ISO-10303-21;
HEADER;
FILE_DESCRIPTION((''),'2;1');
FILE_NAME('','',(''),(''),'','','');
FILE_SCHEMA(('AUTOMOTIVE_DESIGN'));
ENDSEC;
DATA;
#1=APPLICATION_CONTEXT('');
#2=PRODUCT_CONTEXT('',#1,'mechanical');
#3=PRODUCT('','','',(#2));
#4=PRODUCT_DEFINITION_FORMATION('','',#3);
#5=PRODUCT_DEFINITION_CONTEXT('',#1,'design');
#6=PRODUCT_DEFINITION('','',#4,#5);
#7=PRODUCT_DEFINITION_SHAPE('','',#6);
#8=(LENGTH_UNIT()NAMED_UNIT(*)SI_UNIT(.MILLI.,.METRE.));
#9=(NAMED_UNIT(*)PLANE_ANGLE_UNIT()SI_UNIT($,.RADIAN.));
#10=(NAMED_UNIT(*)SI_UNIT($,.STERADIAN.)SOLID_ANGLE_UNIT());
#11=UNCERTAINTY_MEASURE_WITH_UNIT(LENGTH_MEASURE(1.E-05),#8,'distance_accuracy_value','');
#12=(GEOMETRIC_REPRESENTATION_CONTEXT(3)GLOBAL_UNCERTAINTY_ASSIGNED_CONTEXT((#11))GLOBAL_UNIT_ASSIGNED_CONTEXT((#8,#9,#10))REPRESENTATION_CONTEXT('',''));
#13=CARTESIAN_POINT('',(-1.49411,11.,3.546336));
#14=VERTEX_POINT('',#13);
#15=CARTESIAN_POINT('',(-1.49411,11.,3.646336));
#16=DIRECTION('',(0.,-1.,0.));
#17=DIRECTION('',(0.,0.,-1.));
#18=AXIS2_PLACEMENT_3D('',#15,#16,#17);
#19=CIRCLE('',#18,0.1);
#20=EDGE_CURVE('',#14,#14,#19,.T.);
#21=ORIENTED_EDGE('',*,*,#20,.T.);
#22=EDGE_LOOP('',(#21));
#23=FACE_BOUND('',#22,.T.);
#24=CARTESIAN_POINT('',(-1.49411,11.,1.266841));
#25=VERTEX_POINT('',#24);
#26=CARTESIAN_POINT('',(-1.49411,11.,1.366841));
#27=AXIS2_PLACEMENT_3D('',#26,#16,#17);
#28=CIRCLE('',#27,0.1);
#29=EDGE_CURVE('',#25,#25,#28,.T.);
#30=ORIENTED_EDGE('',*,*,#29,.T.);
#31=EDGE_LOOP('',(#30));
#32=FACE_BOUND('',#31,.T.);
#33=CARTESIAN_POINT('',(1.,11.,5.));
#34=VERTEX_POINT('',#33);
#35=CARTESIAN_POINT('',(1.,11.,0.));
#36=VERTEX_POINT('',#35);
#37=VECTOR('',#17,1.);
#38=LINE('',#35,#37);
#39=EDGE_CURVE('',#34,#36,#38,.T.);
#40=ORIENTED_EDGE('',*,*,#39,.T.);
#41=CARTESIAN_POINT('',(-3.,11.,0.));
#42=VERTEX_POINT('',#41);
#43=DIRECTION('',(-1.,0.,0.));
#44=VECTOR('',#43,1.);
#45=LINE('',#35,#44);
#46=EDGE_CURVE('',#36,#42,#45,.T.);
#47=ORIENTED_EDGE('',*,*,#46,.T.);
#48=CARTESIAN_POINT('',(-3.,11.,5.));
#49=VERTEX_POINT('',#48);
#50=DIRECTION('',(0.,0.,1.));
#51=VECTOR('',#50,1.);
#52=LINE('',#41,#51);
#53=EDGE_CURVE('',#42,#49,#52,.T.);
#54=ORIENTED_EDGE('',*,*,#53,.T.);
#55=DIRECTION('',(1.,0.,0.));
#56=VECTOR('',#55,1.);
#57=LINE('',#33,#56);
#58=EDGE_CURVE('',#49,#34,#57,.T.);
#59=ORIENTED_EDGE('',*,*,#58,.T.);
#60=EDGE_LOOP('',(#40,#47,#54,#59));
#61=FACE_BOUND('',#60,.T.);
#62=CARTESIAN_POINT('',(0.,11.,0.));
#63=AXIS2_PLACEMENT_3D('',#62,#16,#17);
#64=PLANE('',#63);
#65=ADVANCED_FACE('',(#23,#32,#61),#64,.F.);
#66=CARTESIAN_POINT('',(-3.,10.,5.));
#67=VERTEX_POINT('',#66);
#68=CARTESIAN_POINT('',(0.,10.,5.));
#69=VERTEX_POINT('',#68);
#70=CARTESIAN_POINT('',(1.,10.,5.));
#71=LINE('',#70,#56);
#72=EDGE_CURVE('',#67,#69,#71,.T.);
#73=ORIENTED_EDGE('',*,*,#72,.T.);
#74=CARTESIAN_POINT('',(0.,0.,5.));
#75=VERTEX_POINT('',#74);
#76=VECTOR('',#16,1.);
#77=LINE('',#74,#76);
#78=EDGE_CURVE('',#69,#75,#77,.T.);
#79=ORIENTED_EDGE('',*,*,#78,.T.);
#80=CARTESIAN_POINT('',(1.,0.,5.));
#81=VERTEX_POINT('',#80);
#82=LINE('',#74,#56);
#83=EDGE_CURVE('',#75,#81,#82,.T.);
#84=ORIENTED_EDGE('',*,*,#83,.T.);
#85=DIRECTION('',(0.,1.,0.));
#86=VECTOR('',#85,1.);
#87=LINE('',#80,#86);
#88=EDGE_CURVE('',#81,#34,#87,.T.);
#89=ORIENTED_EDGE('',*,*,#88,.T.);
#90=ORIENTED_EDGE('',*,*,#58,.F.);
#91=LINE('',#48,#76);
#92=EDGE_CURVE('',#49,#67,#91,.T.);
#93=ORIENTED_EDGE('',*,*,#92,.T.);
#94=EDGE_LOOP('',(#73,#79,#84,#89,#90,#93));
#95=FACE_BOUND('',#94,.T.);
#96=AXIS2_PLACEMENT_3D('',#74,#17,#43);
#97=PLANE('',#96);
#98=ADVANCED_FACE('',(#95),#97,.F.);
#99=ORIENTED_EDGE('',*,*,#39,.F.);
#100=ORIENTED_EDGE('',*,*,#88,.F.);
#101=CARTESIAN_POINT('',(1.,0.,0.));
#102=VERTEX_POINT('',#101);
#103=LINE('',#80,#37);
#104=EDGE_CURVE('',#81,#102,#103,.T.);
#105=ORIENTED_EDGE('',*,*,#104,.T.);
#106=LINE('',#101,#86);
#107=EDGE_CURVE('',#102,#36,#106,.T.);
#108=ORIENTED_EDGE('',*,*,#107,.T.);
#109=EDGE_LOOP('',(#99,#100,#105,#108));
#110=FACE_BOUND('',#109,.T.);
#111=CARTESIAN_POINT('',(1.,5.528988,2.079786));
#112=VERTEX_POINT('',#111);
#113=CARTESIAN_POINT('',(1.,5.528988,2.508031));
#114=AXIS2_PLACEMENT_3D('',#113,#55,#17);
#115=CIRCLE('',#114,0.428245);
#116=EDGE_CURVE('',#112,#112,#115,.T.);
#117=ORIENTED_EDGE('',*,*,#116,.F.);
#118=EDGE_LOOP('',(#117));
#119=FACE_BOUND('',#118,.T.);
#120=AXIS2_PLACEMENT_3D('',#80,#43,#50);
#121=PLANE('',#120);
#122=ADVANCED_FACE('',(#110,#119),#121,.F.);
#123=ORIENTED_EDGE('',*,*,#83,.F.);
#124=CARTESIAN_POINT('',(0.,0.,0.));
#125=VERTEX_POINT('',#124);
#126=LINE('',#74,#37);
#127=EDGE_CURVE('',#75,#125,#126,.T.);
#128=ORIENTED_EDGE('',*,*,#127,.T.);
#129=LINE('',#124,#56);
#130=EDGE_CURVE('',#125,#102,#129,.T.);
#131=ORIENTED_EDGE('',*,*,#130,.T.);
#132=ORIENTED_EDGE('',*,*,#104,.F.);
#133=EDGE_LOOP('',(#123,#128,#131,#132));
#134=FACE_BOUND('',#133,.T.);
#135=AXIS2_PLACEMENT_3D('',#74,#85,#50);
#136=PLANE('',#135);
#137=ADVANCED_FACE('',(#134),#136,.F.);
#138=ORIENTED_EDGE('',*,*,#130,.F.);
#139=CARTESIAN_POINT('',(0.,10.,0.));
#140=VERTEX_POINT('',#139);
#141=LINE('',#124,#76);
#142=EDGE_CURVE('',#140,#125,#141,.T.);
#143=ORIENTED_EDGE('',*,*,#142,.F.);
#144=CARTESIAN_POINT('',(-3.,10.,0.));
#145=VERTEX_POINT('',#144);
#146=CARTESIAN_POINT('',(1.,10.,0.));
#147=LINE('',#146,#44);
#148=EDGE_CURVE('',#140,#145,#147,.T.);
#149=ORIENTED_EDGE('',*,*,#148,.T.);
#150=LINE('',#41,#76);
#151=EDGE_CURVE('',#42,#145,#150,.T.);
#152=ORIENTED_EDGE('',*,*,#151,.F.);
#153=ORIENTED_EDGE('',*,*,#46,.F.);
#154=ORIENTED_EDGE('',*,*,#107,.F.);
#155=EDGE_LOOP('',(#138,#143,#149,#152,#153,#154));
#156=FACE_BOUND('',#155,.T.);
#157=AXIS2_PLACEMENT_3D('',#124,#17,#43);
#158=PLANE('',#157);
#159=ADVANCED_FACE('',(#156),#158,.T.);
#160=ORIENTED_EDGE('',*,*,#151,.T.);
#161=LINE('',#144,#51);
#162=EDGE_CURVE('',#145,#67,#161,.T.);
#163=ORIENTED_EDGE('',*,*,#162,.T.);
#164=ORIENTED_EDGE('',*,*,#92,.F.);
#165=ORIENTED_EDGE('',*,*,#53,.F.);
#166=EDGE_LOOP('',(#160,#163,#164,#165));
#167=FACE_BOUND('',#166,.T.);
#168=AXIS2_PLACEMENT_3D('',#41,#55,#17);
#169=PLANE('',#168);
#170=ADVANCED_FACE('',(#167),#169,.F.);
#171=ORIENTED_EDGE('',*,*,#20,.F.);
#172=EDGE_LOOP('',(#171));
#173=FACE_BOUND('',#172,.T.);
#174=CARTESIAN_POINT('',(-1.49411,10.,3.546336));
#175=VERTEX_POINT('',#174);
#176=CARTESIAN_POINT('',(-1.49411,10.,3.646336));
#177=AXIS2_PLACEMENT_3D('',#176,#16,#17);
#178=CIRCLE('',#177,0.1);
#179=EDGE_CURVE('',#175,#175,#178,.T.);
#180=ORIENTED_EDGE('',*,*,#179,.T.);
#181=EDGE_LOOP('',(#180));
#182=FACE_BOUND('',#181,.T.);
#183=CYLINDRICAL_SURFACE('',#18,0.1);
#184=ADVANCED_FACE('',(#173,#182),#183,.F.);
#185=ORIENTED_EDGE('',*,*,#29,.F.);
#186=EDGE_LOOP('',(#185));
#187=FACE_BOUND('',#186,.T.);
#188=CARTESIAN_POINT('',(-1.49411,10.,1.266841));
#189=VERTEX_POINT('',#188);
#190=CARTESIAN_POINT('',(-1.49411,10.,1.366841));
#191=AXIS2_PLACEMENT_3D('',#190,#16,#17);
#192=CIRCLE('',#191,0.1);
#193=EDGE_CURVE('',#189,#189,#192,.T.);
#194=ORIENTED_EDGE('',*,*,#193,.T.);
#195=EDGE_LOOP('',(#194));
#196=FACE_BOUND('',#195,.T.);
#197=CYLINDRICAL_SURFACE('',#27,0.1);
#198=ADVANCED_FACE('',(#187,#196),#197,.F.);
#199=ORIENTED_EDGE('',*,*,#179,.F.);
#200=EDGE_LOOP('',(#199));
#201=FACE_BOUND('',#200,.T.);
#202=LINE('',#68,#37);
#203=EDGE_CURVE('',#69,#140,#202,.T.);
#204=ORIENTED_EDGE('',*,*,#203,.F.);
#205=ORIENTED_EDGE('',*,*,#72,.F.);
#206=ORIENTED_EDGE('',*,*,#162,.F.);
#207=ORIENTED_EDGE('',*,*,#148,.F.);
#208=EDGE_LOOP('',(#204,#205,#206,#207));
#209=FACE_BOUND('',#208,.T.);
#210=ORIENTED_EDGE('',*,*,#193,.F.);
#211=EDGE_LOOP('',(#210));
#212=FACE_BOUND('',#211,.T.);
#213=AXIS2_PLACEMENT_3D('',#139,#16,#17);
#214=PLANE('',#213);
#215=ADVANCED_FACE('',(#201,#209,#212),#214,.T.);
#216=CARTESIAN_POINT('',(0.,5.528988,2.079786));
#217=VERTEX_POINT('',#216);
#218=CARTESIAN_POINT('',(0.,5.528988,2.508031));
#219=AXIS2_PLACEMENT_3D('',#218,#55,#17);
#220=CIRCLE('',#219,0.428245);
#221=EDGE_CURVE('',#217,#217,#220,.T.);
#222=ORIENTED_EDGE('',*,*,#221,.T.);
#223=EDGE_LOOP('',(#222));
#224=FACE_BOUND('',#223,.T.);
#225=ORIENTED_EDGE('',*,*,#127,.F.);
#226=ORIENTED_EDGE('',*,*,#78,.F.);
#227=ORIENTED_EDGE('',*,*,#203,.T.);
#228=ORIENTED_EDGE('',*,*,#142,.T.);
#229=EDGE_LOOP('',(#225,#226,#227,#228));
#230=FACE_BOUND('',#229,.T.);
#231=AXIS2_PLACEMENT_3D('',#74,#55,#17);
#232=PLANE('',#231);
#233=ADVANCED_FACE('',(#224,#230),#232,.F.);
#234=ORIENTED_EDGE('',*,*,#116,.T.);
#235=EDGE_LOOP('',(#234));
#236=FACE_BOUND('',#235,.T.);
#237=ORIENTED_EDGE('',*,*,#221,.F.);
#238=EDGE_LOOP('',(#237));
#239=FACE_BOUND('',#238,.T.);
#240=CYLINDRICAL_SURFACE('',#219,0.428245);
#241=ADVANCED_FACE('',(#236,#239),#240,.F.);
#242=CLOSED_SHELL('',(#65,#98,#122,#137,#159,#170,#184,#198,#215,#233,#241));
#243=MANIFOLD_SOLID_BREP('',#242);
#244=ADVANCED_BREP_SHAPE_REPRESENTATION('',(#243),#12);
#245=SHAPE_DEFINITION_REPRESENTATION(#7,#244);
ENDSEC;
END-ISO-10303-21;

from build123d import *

# Parameters (mm, degrees)
SKETCH1_W           = 1
SKETCH1_H           = 10
BOSS_EXTRUDE1_DEPTH = 5
SKETCH2_W           = 4
SKETCH2_H           = 5
BOSS_EXTRUDE2_DEPTH = 1
SKETCH3_R           = 0.428245062
CUT_EXTRUDE1_DEPTH  = 1
SKETCH4_R           = 0.1
CUT_EXTRUDE2_DEPTH  = 1


with BuildPart() as part:
    # Sketch1 → Boss-Extrude1 (new body)
    with BuildSketch(Plane.XY):
        with Locations((0.5, 5)):
            Rectangle(SKETCH1_W, SKETCH1_H)
    extrude(amount=BOSS_EXTRUDE1_DEPTH)

    # Sketch2 → Boss-Extrude2 (add)
    with BuildSketch(Plane(origin=(0, 10, 0), x_dir=(1, 0, 0), z_dir=(0, 1, 0))):
        with Locations((-1, -2.5)):
            Rectangle(SKETCH2_W, SKETCH2_H)
    extrude(amount=BOSS_EXTRUDE2_DEPTH)

    # Sketch3 → Cut-Extrude1 (cut)
    with BuildSketch(Plane(origin=(1, 0, 0), x_dir=(0, 0, -1), z_dir=(1, 0, 0))):
        with Locations((-2.508031341, 5.528987799)):
            Circle(SKETCH3_R)
    extrude(amount=-CUT_EXTRUDE1_DEPTH, mode=Mode.SUBTRACT)

    # Sketch4 → Cut-Extrude2 (cut)
    with BuildSketch(Plane(origin=(0, 10, 0), x_dir=(-1, 0, 0), z_dir=(0, -1, 0))):
        with Locations(Location((1.494110206, -1.366840593, 0), (0, 0, 90))):
            Circle(SKETCH4_R)
        with Locations(Location((1.494110206, -3.646335679, 0), (0, 0, 90))):
            Circle(SKETCH4_R)
    extrude(amount=-CUT_EXTRUDE2_DEPTH, mode=Mode.SUBTRACT)


solid = part.part
